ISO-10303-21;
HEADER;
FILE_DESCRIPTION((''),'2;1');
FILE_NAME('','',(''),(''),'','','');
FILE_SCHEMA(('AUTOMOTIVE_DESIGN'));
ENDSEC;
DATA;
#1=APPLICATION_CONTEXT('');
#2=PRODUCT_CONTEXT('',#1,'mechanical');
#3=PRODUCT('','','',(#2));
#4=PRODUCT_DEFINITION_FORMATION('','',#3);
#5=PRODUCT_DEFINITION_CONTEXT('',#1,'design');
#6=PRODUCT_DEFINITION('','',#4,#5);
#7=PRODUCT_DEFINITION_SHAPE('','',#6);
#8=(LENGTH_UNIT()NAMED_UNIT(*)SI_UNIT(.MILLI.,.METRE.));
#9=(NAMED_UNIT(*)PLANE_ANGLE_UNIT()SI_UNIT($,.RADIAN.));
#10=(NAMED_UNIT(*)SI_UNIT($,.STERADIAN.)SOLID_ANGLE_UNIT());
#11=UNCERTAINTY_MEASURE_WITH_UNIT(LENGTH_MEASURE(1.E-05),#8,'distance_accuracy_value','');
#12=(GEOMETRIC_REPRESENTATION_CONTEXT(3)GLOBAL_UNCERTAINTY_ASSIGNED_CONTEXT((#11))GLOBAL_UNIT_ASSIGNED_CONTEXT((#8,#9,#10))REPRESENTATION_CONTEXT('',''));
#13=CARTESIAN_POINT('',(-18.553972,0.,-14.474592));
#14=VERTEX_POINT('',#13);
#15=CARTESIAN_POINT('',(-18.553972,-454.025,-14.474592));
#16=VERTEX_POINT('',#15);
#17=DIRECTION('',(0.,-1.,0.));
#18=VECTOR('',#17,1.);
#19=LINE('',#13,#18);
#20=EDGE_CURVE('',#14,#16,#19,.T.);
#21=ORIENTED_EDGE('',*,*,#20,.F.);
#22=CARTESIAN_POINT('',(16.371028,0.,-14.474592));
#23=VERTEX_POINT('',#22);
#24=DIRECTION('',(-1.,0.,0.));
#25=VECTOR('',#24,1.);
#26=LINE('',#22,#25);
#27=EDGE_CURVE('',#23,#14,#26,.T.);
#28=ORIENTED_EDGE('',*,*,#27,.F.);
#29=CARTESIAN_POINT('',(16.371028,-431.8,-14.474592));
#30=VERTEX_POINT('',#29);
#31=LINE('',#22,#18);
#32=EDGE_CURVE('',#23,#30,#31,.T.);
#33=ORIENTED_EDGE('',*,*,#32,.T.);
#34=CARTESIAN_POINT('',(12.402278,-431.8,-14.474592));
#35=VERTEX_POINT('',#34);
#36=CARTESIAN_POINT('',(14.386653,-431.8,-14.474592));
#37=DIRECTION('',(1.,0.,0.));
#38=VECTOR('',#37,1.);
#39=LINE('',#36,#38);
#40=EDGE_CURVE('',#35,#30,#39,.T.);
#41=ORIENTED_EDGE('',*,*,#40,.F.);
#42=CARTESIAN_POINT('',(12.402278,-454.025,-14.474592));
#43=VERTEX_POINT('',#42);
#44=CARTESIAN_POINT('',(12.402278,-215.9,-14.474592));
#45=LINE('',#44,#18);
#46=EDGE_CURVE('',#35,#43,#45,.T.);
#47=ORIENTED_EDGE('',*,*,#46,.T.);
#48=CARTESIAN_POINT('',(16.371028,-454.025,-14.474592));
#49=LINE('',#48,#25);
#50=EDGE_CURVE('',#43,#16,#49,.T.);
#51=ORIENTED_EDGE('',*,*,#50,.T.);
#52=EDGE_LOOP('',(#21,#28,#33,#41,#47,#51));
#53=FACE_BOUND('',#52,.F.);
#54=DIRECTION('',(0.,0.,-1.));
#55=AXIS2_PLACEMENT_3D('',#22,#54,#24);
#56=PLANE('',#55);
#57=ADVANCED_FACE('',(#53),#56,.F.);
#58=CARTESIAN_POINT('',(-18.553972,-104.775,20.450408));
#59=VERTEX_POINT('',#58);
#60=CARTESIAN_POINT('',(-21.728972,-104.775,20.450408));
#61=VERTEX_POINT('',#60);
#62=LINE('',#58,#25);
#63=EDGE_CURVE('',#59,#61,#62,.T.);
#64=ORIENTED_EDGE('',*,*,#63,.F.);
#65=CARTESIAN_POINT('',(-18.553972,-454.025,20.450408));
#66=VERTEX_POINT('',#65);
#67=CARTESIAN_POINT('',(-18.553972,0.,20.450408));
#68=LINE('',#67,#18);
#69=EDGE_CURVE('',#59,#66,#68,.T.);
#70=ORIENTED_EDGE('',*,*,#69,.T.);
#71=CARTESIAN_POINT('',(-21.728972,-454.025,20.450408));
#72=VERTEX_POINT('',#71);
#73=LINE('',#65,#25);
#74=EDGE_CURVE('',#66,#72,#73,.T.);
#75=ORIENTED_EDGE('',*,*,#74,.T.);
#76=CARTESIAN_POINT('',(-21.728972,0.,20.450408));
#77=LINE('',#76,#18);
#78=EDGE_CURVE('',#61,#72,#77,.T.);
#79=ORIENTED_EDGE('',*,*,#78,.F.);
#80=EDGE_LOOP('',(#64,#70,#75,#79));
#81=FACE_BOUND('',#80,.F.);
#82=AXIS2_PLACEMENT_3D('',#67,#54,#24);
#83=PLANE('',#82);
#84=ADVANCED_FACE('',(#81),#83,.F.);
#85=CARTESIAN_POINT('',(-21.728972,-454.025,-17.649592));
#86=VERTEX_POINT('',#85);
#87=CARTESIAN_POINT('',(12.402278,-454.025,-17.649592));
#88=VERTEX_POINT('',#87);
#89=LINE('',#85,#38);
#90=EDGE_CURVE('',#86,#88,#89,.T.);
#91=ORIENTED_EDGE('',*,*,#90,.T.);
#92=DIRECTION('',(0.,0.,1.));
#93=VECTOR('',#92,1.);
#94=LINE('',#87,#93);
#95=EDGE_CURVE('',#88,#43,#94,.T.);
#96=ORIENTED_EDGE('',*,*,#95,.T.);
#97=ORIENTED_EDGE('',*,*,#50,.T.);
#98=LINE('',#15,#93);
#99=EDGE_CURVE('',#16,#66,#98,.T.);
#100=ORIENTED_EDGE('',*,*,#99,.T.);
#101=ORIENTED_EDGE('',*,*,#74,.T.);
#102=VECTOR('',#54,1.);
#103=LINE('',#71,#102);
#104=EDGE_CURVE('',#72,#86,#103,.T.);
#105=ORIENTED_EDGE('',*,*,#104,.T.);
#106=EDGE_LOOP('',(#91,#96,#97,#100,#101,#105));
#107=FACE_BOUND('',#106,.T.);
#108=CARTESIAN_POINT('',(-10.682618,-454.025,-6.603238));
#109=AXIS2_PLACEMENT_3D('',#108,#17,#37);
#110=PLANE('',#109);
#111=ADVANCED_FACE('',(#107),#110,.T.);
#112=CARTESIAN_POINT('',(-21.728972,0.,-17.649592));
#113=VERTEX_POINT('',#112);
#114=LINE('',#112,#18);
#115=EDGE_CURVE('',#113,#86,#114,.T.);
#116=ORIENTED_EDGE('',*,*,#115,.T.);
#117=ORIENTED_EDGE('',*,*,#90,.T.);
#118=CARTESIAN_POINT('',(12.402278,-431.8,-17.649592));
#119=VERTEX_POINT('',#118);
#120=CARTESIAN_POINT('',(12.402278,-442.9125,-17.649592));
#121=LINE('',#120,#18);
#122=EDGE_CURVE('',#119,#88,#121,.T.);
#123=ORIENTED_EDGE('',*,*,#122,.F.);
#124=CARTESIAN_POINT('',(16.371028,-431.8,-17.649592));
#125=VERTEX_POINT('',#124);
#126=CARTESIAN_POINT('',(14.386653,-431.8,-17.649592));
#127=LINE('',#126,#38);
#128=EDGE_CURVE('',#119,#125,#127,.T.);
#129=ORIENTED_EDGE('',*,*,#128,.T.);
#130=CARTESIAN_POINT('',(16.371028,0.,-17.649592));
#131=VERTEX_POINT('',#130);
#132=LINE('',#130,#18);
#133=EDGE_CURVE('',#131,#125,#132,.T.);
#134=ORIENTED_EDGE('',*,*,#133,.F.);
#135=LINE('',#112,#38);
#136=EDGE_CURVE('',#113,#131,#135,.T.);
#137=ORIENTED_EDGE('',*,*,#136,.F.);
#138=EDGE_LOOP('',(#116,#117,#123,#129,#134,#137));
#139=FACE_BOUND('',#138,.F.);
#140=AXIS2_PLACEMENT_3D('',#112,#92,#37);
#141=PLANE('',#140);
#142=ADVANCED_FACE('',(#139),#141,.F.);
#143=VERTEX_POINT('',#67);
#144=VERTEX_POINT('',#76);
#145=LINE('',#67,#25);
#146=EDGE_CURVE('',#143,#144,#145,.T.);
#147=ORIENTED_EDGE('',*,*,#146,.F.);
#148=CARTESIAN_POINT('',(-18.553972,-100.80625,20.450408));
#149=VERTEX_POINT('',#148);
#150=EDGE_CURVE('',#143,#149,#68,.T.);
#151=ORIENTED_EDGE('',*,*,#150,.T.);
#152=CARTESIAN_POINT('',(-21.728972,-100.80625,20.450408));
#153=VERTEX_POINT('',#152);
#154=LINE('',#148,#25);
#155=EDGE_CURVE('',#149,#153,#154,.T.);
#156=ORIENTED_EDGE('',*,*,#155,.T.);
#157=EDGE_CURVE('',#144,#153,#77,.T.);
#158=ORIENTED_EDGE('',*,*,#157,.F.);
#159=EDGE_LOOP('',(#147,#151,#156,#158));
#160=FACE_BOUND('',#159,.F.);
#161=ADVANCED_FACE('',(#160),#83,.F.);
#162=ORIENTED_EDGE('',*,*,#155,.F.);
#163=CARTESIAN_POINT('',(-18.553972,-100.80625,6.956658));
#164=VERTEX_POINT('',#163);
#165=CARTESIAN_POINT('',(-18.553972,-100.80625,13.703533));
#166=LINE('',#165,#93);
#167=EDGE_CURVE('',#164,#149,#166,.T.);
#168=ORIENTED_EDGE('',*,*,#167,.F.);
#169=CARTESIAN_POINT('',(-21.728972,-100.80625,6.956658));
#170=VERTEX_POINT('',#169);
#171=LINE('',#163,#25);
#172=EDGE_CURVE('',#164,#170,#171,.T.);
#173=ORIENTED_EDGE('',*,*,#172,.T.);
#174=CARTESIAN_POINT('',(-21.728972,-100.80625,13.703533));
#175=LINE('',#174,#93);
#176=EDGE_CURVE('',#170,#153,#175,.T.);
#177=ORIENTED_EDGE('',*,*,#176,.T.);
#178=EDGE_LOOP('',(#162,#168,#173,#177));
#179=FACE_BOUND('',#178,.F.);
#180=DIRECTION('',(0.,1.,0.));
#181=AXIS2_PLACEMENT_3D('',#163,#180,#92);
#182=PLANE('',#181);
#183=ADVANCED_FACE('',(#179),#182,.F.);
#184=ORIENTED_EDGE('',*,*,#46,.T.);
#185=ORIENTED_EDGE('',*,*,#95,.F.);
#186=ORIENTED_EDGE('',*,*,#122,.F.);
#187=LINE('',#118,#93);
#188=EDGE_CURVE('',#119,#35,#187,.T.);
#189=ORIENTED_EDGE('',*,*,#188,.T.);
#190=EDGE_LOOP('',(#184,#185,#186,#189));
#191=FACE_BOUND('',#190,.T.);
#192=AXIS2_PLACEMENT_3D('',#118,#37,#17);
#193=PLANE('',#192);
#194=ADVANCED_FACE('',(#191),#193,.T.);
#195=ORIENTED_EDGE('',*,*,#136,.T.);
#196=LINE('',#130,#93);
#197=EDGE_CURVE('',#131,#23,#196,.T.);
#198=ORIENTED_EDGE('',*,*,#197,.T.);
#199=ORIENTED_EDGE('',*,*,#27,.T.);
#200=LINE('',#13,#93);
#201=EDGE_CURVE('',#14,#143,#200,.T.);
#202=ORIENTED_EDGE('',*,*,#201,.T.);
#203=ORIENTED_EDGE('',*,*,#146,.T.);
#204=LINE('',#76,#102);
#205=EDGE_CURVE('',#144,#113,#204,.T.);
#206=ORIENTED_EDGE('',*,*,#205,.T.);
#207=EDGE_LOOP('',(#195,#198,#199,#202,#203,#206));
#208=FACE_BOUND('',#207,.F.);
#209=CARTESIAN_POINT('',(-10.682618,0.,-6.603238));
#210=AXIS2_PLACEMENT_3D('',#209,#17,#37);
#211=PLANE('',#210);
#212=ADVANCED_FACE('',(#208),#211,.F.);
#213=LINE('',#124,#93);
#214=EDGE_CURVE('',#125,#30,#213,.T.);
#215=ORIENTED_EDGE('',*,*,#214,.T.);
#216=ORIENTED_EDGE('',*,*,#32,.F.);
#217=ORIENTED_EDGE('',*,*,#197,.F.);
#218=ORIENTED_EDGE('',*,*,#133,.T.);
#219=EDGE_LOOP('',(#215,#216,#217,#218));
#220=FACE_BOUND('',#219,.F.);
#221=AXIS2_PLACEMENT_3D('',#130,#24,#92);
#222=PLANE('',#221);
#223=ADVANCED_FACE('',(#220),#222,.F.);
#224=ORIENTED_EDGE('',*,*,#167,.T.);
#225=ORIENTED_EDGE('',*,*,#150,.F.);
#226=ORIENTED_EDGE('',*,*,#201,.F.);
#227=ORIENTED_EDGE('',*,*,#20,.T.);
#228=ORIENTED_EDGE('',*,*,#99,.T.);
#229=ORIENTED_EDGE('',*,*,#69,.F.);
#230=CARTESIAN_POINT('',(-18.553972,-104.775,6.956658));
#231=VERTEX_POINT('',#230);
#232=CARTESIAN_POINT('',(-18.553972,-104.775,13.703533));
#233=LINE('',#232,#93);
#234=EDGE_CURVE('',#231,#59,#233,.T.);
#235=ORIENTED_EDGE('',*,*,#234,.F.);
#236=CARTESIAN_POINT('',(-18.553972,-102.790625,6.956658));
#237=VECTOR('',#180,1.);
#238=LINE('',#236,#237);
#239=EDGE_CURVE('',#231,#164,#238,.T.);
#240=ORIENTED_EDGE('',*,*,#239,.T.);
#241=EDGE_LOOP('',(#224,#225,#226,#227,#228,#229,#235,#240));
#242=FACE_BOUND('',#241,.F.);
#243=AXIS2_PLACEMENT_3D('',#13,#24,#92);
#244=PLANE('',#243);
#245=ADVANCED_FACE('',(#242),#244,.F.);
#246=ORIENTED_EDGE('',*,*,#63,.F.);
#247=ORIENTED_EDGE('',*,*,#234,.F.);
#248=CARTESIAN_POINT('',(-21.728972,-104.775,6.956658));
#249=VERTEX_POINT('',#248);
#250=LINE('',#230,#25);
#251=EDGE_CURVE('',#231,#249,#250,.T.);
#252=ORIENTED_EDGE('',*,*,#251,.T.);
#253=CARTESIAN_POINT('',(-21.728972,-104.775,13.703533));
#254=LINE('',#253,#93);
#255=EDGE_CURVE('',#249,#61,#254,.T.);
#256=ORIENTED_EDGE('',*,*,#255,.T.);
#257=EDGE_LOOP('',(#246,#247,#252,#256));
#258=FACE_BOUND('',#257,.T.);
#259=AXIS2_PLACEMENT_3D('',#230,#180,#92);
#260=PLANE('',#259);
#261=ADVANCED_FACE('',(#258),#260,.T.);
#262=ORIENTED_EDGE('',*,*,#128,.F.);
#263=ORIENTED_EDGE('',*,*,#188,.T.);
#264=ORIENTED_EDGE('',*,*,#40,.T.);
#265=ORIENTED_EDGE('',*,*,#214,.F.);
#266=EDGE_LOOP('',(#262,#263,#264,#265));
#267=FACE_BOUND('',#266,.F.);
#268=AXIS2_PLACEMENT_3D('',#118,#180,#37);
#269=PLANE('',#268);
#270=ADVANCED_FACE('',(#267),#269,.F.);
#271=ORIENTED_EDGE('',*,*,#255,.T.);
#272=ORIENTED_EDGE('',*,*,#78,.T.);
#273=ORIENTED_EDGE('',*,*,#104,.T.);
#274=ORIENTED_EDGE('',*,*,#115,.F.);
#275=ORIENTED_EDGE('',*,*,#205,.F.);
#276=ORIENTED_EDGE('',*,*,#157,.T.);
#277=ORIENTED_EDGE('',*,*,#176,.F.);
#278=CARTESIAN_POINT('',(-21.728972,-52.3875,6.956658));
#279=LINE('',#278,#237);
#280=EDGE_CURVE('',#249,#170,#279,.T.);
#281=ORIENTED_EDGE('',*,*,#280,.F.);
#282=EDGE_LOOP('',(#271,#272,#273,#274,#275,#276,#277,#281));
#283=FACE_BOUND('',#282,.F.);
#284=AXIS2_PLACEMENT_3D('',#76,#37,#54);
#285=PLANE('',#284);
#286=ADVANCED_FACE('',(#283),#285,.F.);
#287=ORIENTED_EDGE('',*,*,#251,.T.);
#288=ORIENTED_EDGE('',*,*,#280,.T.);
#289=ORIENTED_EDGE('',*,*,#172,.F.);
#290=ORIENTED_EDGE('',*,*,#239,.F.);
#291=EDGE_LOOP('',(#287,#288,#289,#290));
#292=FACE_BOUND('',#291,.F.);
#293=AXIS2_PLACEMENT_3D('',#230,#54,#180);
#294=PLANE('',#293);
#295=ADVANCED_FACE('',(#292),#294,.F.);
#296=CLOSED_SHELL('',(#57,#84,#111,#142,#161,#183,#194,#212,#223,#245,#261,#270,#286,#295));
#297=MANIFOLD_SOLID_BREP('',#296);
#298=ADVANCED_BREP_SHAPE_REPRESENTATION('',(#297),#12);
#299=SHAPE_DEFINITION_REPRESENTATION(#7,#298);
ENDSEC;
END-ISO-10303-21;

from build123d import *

# Parameters (mm, degrees)
F1_DEPTH = 454.025
F2_W     = 3.96875
F2_H     = 22.225
F3_DEPTH = 25.4
F4_W     = 3.96875
F4_H     = 13.49375
F5_DEPTH = 25.4


with BuildPart() as f1:
    # F0 (on Front) → F1 (new body)
    with BuildSketch(Plane.XZ):
        Polygon((-18.553972, 20.450408), (-21.728972, 20.450408), (-21.728972, -17.649592), (16.371028, -17.649592), (16.371028, -14.474592), (-18.553972, -14.474592), align=None)
    extrude(amount=F1_DEPTH)

    # F2 (on face) → F3 (cut)
    with BuildSketch(Plane(origin=(0, 0, -17.649592), x_dir=(1, 0, 0), z_dir=(0, 0, -1))):
        with Locations((14.386653, 442.9125)):
            Rectangle(F2_W, F2_H)
    extrude(amount=-F3_DEPTH, mode=Mode.SUBTRACT)

    # F4 (on face) → F5 (cut)
    with BuildSketch(Plane.YZ.offset(-18.553972)):
        with Locations((-102.790625, 13.703533)):
            Rectangle(F4_W, F4_H)
    extrude(amount=-F5_DEPTH, mode=Mode.SUBTRACT)


solid = f1.part
